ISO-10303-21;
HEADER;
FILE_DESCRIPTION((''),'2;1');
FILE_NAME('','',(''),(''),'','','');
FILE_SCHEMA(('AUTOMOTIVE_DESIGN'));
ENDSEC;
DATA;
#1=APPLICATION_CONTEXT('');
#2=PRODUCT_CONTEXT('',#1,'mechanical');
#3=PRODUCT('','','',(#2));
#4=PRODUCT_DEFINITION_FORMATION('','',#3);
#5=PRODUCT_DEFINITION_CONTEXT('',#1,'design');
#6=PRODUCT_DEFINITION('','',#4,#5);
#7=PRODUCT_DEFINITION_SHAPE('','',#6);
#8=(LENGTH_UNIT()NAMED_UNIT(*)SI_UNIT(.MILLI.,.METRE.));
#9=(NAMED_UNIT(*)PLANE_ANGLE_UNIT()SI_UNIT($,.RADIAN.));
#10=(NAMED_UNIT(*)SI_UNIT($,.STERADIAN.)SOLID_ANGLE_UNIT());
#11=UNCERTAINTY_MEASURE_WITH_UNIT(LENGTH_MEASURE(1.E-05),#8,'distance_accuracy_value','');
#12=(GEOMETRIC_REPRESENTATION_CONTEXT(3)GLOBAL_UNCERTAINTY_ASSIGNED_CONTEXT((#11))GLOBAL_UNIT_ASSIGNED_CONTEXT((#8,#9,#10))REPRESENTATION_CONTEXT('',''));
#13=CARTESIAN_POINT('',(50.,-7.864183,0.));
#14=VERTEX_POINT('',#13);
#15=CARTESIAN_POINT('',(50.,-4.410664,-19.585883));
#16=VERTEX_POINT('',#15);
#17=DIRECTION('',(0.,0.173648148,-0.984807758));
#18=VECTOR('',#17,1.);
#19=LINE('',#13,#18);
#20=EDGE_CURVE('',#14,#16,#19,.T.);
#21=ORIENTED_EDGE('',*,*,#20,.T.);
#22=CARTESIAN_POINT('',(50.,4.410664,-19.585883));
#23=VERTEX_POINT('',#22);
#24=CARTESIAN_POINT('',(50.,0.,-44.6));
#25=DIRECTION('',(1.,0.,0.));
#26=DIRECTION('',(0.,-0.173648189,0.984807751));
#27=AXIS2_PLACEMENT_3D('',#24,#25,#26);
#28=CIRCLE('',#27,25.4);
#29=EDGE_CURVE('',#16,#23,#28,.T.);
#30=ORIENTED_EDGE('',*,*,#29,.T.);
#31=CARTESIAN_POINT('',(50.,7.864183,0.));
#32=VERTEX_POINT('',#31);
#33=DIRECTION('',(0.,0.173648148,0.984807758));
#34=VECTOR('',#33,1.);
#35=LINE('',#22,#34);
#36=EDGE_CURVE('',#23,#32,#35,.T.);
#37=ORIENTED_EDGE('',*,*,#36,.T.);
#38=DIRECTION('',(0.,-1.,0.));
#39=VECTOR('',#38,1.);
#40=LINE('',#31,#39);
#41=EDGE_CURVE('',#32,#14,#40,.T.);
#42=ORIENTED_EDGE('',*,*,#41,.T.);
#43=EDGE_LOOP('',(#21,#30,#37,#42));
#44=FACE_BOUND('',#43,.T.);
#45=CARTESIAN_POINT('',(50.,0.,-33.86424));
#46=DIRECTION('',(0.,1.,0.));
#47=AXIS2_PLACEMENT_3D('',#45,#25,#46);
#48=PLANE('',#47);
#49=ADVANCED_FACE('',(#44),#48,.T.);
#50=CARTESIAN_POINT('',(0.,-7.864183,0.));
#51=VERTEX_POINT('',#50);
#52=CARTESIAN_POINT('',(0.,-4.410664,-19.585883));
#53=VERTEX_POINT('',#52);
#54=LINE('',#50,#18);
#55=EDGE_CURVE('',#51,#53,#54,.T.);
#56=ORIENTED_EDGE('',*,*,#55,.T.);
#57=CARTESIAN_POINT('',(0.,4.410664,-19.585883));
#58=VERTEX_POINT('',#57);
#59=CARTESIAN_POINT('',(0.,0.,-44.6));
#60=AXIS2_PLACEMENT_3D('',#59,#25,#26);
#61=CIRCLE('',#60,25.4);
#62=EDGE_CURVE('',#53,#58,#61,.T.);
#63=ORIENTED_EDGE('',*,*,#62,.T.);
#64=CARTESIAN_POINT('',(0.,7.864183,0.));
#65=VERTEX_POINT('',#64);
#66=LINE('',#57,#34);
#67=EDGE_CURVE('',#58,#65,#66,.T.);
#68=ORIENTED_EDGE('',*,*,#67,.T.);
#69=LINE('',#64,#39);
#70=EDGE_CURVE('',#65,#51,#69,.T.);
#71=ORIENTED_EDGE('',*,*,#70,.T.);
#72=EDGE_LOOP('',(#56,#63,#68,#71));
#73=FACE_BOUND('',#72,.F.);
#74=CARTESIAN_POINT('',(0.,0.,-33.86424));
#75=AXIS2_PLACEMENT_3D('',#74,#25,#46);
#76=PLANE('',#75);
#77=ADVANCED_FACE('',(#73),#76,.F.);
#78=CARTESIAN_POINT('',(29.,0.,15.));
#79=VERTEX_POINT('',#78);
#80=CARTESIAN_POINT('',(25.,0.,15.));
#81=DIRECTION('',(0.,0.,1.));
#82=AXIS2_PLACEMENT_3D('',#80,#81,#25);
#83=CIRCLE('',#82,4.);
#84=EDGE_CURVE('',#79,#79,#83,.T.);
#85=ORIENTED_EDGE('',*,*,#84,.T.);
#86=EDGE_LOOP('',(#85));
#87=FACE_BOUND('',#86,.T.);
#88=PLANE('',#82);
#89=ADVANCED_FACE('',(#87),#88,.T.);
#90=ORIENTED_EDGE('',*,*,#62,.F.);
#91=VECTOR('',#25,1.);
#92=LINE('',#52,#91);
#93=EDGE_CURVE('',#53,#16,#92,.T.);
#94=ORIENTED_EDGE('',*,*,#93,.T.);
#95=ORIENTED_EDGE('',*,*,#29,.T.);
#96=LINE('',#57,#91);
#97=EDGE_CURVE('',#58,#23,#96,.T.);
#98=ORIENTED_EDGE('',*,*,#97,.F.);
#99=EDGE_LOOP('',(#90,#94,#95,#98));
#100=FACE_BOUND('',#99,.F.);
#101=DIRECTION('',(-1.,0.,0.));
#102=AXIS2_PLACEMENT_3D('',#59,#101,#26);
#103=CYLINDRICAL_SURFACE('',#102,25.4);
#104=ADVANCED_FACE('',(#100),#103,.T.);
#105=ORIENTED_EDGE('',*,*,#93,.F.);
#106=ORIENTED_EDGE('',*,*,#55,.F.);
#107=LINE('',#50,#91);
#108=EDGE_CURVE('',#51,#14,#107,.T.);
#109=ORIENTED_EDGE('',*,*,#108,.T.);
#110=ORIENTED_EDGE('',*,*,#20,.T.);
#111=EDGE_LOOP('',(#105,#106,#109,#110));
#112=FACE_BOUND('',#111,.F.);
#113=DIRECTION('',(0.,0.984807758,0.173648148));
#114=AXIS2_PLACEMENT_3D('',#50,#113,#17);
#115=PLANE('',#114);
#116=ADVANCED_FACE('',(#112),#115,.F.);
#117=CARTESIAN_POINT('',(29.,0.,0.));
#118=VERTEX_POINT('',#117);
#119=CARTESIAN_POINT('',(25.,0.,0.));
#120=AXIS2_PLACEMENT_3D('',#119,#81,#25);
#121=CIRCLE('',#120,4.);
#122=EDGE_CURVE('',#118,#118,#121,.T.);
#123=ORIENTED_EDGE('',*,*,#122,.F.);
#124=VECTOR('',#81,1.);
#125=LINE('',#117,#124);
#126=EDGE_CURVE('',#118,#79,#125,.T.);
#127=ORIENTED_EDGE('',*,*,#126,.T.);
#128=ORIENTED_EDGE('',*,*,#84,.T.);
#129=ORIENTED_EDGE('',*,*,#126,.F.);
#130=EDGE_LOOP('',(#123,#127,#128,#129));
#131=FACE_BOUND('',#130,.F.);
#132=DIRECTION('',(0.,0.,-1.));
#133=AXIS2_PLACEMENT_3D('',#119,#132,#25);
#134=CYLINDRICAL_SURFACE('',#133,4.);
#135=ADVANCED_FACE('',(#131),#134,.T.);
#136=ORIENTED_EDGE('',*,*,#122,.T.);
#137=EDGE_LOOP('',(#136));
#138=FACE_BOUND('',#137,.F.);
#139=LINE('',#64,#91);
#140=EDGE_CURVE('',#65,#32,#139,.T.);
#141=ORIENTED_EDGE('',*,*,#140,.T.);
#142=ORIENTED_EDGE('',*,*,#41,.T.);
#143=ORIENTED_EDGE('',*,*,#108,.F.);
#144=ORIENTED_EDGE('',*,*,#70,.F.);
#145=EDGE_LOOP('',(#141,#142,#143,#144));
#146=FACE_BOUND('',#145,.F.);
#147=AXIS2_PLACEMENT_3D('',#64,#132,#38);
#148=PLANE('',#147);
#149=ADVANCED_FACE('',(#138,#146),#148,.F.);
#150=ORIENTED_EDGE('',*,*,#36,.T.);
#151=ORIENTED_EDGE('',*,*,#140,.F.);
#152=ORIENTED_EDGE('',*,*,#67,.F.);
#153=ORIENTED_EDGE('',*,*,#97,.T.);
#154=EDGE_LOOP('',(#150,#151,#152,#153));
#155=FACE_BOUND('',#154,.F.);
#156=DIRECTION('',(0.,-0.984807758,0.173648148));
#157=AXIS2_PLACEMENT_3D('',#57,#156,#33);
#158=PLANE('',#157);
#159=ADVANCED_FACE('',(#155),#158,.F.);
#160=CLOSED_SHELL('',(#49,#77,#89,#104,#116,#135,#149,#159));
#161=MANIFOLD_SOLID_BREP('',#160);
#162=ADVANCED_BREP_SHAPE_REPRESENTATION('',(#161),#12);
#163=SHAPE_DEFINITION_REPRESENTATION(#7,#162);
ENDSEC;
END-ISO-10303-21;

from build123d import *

# Parameters (mm, degrees)
F1_DEPTH = 50
F2_R     = 4
F3_DEPTH = 15


with BuildPart() as f1:
    # F0 (on Right) → F1 (new body)
    with BuildSketch(Plane.YZ):
        with BuildLine():
            Line((-7.864183, 0), (-4.410664, -19.585883))
            ThreePointArc((-4.410664, -19.585883), (0, -70), (4.410664, -19.585883))
            Line((4.410664, -19.585883), (7.864183, 0))
            Line((7.864183, 0), (-7.864183, 0))
        make_face()
    extrude(amount=F1_DEPTH)

    # F2 (on face) → F3 (join)
    with BuildSketch(Plane.XY):
        with Locations((25, 0)):
            Circle(F2_R)
    extrude(amount=F3_DEPTH)


solid = f1.part
